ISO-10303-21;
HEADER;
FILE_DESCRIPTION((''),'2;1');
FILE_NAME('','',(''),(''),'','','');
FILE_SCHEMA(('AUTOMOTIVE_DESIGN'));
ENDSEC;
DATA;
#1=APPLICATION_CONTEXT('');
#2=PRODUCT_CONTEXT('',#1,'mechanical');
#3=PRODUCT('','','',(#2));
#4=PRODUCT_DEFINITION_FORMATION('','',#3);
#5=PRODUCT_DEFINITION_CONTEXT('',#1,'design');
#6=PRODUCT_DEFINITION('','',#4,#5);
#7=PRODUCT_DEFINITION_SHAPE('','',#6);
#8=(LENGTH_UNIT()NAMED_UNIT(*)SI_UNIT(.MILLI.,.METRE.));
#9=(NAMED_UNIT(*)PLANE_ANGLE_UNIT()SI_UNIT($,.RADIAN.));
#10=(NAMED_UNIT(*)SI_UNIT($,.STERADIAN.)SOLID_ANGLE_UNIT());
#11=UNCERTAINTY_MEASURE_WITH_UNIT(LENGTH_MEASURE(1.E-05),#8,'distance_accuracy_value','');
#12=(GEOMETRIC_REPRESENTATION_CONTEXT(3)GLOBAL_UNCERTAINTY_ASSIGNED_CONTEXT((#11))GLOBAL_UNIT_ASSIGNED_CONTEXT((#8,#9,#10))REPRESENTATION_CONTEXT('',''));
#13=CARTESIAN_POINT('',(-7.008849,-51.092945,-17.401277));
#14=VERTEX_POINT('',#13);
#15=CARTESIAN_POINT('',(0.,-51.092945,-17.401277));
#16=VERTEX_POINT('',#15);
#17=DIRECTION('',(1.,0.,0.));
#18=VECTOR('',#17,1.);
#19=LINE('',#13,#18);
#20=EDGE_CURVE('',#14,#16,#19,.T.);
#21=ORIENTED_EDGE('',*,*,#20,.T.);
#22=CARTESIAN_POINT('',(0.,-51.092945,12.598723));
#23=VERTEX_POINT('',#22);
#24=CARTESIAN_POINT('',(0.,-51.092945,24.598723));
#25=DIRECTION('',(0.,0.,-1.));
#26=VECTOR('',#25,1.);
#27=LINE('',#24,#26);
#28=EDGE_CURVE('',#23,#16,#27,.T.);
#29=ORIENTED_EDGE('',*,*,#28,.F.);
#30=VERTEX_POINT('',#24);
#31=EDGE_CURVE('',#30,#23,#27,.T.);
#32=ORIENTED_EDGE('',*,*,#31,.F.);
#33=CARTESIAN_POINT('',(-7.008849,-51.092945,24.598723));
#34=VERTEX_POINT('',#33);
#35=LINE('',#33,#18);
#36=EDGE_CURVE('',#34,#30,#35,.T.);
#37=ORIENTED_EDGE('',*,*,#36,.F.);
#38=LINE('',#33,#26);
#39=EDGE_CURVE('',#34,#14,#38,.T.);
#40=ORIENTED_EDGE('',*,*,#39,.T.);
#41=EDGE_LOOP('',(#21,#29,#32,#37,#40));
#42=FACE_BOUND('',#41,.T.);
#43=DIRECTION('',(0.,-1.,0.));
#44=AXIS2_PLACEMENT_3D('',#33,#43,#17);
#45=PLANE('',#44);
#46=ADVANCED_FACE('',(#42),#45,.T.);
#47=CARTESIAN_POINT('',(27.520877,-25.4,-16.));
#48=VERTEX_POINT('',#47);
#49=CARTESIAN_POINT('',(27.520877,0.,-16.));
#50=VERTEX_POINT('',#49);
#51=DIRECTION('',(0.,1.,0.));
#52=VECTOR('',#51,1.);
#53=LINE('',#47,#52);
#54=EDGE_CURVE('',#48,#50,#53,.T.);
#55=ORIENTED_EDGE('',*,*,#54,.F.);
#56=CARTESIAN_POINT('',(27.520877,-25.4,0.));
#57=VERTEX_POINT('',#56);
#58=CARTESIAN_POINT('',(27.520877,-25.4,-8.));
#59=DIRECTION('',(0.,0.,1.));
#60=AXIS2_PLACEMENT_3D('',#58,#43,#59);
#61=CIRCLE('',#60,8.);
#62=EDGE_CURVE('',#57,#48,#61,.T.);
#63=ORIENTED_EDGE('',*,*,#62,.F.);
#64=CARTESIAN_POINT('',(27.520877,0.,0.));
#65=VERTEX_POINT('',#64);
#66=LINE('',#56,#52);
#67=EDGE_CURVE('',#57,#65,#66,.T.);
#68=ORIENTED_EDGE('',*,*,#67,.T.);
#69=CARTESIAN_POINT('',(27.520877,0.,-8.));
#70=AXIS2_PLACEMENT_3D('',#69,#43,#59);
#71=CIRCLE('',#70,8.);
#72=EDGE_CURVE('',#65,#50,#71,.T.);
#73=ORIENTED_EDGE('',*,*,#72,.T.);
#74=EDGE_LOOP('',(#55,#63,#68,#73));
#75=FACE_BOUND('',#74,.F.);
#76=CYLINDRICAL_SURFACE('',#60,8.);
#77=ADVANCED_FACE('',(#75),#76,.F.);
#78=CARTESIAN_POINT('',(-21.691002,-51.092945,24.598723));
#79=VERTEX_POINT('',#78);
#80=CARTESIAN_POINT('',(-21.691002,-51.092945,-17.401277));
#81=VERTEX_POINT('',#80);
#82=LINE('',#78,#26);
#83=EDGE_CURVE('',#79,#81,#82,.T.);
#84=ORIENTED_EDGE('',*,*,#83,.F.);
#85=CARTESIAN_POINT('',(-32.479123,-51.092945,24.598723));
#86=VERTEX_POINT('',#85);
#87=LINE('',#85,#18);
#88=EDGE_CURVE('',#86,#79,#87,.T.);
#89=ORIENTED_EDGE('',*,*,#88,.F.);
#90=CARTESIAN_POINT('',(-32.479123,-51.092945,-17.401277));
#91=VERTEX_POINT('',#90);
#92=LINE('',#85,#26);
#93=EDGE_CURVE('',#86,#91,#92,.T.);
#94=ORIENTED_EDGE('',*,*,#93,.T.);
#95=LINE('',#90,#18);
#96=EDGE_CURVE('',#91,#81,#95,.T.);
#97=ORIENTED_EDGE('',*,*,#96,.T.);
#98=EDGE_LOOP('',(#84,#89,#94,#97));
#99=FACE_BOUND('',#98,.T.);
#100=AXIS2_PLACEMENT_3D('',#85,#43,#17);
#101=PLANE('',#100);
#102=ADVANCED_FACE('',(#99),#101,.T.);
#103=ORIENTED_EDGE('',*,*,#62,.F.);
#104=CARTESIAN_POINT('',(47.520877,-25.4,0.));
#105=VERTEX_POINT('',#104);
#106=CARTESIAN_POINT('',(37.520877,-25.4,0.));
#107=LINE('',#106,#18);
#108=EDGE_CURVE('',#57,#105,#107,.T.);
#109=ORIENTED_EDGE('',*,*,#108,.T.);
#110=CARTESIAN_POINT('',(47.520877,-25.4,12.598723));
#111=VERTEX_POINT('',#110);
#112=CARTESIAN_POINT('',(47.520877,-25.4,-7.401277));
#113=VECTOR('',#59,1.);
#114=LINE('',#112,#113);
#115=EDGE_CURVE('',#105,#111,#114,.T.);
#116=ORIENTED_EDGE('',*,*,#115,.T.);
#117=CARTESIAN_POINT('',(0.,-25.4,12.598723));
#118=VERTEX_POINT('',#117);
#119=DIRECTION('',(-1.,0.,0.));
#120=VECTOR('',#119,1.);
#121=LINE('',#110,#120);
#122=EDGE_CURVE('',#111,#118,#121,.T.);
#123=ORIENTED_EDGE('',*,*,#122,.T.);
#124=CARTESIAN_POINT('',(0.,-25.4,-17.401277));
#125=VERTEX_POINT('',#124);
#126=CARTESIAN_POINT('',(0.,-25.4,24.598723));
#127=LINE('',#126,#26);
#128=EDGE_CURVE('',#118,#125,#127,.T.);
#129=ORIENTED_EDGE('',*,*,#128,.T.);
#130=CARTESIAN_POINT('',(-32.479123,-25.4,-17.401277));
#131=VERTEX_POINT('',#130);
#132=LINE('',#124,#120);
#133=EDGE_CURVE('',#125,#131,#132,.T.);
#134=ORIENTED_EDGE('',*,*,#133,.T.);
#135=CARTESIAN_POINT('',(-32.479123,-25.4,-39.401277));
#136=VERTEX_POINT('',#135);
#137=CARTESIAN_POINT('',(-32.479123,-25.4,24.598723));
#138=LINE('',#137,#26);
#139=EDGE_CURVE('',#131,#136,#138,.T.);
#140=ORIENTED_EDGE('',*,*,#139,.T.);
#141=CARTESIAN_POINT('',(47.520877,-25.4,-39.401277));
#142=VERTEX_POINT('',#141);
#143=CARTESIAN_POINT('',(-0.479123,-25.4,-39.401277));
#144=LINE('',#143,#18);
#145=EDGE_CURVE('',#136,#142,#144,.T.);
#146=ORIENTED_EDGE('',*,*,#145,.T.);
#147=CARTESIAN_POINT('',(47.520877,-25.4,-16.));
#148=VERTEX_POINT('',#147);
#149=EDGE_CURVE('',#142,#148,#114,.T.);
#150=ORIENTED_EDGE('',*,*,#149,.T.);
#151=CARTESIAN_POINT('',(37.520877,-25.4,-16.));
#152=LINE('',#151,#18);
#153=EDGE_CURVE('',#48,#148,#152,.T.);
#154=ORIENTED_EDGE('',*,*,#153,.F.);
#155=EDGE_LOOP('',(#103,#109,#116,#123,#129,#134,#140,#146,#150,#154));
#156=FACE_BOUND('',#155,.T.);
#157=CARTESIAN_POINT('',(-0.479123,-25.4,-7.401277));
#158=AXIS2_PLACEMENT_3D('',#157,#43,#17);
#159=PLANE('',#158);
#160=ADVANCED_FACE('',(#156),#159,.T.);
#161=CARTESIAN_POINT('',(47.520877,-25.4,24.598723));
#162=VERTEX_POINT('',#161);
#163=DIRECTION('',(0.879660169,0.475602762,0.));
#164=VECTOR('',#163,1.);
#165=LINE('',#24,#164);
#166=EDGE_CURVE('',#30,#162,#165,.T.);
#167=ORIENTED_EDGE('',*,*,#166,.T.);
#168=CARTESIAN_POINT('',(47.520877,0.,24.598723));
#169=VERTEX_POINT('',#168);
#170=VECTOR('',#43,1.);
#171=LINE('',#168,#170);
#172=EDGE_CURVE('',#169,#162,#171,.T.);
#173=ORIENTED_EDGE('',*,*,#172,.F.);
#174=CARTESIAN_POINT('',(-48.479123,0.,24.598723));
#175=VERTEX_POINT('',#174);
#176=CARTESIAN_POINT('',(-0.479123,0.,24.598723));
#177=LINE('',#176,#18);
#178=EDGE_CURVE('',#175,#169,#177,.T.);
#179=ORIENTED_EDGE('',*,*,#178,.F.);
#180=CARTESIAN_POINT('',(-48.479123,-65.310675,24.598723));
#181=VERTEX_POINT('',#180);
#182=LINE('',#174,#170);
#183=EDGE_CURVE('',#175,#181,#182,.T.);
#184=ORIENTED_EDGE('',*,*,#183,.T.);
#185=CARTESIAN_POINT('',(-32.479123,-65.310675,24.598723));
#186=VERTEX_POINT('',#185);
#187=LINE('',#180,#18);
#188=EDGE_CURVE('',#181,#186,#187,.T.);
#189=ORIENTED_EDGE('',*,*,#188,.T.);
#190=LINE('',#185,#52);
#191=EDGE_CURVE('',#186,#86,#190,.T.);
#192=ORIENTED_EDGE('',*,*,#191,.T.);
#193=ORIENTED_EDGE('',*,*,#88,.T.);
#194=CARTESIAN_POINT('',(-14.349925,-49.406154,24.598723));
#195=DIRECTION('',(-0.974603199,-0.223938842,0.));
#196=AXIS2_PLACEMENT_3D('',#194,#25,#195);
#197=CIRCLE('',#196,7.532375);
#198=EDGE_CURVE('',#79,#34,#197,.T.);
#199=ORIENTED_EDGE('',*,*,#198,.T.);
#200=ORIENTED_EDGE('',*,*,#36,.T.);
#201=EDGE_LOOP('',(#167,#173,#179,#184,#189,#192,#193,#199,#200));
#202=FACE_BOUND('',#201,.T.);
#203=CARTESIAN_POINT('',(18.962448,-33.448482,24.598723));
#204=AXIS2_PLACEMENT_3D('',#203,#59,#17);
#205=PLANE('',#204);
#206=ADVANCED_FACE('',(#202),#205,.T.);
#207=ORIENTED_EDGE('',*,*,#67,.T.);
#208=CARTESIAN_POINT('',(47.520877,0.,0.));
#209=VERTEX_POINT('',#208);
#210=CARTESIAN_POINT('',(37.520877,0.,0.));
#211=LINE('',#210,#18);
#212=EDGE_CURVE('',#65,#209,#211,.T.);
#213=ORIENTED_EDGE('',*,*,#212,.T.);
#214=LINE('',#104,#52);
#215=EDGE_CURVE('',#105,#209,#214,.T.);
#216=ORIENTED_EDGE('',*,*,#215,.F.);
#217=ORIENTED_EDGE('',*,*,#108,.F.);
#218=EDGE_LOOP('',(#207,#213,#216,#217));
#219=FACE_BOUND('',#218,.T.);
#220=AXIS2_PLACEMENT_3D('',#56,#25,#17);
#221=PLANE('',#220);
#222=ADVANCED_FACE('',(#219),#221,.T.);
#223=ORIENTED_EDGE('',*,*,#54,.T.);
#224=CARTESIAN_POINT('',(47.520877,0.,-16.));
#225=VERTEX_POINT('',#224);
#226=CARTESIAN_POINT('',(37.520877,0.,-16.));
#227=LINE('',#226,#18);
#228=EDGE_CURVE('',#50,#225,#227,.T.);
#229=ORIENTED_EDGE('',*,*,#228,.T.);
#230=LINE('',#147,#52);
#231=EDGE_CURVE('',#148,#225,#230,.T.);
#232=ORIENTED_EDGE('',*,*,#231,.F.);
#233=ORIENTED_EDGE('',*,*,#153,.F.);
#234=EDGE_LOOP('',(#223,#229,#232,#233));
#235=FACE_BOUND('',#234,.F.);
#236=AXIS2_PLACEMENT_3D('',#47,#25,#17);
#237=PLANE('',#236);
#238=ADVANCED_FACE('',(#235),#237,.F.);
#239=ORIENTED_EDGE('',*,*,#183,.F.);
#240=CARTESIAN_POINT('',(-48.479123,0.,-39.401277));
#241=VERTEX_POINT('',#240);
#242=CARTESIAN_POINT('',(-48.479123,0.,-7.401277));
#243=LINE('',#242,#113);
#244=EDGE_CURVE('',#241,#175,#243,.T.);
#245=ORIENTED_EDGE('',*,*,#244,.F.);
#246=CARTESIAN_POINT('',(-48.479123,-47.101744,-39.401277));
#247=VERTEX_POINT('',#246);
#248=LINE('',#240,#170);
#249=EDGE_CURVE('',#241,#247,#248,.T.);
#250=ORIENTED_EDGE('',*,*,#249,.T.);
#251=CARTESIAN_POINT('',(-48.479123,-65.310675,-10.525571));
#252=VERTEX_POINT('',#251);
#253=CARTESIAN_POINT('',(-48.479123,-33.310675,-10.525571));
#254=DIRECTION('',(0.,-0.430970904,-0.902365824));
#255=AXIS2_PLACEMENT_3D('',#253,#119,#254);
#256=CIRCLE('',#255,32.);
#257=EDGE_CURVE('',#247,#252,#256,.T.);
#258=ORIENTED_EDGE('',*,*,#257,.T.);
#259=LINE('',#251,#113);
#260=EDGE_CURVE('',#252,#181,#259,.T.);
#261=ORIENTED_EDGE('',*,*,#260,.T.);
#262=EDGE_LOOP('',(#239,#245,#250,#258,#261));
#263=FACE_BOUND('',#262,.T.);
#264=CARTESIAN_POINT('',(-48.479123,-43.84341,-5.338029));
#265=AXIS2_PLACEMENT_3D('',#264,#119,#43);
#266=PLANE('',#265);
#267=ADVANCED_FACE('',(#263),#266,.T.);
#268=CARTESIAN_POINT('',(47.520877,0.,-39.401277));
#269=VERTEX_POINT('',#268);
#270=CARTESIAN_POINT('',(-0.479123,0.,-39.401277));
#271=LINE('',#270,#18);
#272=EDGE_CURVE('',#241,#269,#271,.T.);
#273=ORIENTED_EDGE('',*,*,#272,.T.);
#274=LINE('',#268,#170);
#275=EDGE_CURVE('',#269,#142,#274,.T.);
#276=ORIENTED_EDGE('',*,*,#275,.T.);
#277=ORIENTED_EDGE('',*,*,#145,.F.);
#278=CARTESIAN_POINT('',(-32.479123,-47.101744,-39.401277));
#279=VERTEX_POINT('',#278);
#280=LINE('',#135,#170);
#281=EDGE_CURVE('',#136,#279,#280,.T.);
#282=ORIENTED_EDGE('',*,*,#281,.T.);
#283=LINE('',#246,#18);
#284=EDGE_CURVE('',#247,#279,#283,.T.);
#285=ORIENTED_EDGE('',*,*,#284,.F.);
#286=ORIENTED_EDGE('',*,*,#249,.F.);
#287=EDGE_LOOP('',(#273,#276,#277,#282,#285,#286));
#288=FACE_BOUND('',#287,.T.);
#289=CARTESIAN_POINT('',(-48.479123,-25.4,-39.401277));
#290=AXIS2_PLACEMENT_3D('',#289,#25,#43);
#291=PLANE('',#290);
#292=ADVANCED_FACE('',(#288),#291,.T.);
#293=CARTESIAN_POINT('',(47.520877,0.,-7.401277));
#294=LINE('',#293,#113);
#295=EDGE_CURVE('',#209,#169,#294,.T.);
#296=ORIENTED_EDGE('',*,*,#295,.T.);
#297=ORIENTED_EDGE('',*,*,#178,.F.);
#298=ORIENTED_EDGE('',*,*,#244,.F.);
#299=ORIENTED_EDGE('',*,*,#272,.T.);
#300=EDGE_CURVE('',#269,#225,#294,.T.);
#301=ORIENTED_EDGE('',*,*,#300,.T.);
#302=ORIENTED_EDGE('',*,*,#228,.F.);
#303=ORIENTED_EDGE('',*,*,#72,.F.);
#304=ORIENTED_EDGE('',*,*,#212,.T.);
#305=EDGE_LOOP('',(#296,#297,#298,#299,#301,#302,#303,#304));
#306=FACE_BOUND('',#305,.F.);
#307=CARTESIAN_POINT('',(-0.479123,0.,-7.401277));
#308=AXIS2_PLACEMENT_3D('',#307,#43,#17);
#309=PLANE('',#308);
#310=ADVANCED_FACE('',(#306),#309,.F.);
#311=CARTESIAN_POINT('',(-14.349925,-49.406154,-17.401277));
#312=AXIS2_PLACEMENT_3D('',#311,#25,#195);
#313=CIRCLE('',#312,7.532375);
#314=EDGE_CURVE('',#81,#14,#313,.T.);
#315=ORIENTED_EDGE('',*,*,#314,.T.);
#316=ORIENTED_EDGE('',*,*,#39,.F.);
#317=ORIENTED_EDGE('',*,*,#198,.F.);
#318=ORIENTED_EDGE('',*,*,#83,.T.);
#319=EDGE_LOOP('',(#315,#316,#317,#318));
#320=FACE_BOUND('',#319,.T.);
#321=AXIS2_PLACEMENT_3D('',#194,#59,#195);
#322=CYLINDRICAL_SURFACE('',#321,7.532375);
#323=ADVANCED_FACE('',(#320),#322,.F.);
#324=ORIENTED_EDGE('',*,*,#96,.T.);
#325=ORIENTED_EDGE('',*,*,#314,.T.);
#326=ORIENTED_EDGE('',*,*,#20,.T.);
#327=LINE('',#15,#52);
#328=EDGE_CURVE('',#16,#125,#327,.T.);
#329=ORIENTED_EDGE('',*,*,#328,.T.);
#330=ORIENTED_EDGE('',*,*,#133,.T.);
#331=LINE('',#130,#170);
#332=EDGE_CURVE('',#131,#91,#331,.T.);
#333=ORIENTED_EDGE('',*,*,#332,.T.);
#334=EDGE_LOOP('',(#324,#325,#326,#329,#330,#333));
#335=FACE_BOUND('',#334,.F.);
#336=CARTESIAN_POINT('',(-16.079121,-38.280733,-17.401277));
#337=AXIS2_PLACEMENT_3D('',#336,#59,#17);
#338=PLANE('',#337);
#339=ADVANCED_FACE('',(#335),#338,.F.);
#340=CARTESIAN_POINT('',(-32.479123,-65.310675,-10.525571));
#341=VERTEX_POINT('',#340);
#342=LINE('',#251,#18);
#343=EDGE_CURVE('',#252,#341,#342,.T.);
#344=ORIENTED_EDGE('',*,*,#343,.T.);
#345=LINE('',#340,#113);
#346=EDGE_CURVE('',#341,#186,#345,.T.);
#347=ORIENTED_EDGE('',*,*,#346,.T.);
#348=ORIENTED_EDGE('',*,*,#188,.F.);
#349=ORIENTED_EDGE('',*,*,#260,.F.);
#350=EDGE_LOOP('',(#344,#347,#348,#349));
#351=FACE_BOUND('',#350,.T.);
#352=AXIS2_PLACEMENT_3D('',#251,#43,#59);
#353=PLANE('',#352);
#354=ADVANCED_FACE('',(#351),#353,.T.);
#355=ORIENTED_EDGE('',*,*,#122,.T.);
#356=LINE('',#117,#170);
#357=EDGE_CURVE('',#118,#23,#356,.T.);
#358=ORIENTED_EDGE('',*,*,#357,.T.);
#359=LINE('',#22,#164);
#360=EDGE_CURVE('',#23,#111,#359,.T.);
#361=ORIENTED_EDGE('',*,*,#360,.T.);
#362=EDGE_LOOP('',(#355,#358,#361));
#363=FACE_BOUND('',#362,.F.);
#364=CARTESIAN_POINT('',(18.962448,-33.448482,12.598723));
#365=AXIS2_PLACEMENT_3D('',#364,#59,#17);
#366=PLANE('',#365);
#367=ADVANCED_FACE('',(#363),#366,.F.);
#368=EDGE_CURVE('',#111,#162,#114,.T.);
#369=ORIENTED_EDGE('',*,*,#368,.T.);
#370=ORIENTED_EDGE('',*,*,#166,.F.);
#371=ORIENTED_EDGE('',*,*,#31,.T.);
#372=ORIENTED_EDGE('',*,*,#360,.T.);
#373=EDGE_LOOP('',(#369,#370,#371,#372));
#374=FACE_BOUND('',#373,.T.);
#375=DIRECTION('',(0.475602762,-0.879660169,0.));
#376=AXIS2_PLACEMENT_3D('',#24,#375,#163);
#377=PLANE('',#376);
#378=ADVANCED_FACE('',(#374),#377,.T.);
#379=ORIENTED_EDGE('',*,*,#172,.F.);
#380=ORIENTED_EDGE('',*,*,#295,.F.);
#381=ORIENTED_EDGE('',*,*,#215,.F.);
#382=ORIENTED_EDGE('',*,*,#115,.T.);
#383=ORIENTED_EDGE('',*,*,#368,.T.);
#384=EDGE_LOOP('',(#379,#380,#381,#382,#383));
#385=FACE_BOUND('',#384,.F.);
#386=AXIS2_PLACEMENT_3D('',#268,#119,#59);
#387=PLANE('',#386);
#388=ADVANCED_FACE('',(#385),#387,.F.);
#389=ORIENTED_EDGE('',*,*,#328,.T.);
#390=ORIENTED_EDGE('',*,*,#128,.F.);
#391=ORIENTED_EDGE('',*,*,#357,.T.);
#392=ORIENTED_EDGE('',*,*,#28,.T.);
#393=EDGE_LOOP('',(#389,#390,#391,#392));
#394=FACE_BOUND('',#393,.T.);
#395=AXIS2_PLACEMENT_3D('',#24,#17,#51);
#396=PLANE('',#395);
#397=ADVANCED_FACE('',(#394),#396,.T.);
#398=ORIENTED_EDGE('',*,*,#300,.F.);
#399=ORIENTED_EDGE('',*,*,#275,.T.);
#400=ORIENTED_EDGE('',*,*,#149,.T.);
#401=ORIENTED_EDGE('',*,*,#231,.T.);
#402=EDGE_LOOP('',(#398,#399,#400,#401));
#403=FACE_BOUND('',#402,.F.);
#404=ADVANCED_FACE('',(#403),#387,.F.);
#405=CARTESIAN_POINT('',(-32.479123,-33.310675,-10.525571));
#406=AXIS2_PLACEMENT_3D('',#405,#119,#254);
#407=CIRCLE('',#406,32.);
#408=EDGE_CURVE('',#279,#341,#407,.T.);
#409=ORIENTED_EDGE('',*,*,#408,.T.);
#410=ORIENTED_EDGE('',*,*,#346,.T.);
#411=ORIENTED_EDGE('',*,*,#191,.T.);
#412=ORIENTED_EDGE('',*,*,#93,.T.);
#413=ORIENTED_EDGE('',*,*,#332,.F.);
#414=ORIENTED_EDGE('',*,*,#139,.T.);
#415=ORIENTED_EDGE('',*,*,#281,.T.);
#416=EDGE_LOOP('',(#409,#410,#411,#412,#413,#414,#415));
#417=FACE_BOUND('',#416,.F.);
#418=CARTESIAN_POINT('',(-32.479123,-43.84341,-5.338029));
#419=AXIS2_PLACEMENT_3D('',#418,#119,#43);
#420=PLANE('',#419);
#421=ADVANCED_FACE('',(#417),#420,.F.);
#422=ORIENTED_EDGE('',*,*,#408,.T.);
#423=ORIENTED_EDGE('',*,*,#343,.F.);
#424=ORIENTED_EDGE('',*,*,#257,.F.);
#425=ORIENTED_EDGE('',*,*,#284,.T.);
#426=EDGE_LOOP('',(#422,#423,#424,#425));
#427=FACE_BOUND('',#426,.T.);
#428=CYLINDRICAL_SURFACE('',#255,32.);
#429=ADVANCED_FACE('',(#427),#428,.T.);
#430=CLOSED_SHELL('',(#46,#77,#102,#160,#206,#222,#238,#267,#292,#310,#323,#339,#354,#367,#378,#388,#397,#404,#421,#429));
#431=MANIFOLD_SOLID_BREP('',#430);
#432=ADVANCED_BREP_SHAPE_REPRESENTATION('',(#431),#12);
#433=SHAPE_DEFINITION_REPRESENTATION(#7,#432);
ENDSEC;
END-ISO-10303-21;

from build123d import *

# Parameters (mm, degrees)
F0_W     = 96
F0_H     = 64
F1_DEPTH = 25.4
F2_W     = 20
F2_H     = 16
F3_DEPTH = 25.4
F5_DEPTH = 16
F7_DEPTH = 42
F9_DEPTH = 12


with BuildPart() as f1:
    # F0 (on Front) → F1 (new body)
    with BuildSketch(Plane.XZ):
        with Locations((-0.479123, -7.401277)):
            Rectangle(F0_W, F0_H)
    extrude(amount=F1_DEPTH)

    # F2 (on face) → F3 (cut)
    with BuildSketch(Plane.XZ.offset(25.4)):
        with BuildLine():
            Line((27.520877, -16), (27.520877, 0))
            ThreePointArc((27.520877, 0), (19.520877, -8), (27.520877, -16))
        make_face()
        with Locations((37.520877, -8)):
            Rectangle(F2_W, F2_H)
    extrude(amount=-F3_DEPTH, mode=Mode.SUBTRACT)

    # F4 (on face) → F5 (join)
    with BuildSketch(Plane(origin=(-48.479123, 0, 0), x_dir=(0, -1, 0), z_dir=(-1, 0, 0))):
        with BuildLine():
            Line((65.310675, 24.598723), (25.4, 24.598723))
            Line((25.4, 24.598723), (25.4, -39.401277))
            Line((25.4, -39.401277), (47.101744, -39.401277))
            ThreePointArc((47.101744, -39.401277), (60.378314, -27.594341), (65.310675, -10.525571))
            Line((65.310675, -10.525571), (65.310675, 24.598723))
        make_face()
    extrude(amount=-F5_DEPTH)

    # F6 (on face) → F7 (join)
    with BuildSketch(Plane.XY.offset(24.598723)):
        with BuildLine():
            Line((0, -25.4), (-32.479123, -25.4))
            Line((-32.479123, -25.4), (-32.479123, -51.092945))
            Line((-32.479123, -51.092945), (-21.691002, -51.092945))
            ThreePointArc((-21.691002, -51.092945), (-14.349926, -41.873779), (-7.008849, -51.092945))
            Line((-7.008849, -51.092945), (0, -51.092945))
            Line((0, -51.092945), (0, -25.4))
        make_face()
    extrude(amount=-F7_DEPTH)

    # F8 (on face) → F9 (join)
    with BuildSketch(Plane.XY.offset(24.598723)):
        Polygon((0, -51.092945), (47.520877, -25.4), (0, -25.4), align=None)
    extrude(amount=-F9_DEPTH)


solid = f1.part
